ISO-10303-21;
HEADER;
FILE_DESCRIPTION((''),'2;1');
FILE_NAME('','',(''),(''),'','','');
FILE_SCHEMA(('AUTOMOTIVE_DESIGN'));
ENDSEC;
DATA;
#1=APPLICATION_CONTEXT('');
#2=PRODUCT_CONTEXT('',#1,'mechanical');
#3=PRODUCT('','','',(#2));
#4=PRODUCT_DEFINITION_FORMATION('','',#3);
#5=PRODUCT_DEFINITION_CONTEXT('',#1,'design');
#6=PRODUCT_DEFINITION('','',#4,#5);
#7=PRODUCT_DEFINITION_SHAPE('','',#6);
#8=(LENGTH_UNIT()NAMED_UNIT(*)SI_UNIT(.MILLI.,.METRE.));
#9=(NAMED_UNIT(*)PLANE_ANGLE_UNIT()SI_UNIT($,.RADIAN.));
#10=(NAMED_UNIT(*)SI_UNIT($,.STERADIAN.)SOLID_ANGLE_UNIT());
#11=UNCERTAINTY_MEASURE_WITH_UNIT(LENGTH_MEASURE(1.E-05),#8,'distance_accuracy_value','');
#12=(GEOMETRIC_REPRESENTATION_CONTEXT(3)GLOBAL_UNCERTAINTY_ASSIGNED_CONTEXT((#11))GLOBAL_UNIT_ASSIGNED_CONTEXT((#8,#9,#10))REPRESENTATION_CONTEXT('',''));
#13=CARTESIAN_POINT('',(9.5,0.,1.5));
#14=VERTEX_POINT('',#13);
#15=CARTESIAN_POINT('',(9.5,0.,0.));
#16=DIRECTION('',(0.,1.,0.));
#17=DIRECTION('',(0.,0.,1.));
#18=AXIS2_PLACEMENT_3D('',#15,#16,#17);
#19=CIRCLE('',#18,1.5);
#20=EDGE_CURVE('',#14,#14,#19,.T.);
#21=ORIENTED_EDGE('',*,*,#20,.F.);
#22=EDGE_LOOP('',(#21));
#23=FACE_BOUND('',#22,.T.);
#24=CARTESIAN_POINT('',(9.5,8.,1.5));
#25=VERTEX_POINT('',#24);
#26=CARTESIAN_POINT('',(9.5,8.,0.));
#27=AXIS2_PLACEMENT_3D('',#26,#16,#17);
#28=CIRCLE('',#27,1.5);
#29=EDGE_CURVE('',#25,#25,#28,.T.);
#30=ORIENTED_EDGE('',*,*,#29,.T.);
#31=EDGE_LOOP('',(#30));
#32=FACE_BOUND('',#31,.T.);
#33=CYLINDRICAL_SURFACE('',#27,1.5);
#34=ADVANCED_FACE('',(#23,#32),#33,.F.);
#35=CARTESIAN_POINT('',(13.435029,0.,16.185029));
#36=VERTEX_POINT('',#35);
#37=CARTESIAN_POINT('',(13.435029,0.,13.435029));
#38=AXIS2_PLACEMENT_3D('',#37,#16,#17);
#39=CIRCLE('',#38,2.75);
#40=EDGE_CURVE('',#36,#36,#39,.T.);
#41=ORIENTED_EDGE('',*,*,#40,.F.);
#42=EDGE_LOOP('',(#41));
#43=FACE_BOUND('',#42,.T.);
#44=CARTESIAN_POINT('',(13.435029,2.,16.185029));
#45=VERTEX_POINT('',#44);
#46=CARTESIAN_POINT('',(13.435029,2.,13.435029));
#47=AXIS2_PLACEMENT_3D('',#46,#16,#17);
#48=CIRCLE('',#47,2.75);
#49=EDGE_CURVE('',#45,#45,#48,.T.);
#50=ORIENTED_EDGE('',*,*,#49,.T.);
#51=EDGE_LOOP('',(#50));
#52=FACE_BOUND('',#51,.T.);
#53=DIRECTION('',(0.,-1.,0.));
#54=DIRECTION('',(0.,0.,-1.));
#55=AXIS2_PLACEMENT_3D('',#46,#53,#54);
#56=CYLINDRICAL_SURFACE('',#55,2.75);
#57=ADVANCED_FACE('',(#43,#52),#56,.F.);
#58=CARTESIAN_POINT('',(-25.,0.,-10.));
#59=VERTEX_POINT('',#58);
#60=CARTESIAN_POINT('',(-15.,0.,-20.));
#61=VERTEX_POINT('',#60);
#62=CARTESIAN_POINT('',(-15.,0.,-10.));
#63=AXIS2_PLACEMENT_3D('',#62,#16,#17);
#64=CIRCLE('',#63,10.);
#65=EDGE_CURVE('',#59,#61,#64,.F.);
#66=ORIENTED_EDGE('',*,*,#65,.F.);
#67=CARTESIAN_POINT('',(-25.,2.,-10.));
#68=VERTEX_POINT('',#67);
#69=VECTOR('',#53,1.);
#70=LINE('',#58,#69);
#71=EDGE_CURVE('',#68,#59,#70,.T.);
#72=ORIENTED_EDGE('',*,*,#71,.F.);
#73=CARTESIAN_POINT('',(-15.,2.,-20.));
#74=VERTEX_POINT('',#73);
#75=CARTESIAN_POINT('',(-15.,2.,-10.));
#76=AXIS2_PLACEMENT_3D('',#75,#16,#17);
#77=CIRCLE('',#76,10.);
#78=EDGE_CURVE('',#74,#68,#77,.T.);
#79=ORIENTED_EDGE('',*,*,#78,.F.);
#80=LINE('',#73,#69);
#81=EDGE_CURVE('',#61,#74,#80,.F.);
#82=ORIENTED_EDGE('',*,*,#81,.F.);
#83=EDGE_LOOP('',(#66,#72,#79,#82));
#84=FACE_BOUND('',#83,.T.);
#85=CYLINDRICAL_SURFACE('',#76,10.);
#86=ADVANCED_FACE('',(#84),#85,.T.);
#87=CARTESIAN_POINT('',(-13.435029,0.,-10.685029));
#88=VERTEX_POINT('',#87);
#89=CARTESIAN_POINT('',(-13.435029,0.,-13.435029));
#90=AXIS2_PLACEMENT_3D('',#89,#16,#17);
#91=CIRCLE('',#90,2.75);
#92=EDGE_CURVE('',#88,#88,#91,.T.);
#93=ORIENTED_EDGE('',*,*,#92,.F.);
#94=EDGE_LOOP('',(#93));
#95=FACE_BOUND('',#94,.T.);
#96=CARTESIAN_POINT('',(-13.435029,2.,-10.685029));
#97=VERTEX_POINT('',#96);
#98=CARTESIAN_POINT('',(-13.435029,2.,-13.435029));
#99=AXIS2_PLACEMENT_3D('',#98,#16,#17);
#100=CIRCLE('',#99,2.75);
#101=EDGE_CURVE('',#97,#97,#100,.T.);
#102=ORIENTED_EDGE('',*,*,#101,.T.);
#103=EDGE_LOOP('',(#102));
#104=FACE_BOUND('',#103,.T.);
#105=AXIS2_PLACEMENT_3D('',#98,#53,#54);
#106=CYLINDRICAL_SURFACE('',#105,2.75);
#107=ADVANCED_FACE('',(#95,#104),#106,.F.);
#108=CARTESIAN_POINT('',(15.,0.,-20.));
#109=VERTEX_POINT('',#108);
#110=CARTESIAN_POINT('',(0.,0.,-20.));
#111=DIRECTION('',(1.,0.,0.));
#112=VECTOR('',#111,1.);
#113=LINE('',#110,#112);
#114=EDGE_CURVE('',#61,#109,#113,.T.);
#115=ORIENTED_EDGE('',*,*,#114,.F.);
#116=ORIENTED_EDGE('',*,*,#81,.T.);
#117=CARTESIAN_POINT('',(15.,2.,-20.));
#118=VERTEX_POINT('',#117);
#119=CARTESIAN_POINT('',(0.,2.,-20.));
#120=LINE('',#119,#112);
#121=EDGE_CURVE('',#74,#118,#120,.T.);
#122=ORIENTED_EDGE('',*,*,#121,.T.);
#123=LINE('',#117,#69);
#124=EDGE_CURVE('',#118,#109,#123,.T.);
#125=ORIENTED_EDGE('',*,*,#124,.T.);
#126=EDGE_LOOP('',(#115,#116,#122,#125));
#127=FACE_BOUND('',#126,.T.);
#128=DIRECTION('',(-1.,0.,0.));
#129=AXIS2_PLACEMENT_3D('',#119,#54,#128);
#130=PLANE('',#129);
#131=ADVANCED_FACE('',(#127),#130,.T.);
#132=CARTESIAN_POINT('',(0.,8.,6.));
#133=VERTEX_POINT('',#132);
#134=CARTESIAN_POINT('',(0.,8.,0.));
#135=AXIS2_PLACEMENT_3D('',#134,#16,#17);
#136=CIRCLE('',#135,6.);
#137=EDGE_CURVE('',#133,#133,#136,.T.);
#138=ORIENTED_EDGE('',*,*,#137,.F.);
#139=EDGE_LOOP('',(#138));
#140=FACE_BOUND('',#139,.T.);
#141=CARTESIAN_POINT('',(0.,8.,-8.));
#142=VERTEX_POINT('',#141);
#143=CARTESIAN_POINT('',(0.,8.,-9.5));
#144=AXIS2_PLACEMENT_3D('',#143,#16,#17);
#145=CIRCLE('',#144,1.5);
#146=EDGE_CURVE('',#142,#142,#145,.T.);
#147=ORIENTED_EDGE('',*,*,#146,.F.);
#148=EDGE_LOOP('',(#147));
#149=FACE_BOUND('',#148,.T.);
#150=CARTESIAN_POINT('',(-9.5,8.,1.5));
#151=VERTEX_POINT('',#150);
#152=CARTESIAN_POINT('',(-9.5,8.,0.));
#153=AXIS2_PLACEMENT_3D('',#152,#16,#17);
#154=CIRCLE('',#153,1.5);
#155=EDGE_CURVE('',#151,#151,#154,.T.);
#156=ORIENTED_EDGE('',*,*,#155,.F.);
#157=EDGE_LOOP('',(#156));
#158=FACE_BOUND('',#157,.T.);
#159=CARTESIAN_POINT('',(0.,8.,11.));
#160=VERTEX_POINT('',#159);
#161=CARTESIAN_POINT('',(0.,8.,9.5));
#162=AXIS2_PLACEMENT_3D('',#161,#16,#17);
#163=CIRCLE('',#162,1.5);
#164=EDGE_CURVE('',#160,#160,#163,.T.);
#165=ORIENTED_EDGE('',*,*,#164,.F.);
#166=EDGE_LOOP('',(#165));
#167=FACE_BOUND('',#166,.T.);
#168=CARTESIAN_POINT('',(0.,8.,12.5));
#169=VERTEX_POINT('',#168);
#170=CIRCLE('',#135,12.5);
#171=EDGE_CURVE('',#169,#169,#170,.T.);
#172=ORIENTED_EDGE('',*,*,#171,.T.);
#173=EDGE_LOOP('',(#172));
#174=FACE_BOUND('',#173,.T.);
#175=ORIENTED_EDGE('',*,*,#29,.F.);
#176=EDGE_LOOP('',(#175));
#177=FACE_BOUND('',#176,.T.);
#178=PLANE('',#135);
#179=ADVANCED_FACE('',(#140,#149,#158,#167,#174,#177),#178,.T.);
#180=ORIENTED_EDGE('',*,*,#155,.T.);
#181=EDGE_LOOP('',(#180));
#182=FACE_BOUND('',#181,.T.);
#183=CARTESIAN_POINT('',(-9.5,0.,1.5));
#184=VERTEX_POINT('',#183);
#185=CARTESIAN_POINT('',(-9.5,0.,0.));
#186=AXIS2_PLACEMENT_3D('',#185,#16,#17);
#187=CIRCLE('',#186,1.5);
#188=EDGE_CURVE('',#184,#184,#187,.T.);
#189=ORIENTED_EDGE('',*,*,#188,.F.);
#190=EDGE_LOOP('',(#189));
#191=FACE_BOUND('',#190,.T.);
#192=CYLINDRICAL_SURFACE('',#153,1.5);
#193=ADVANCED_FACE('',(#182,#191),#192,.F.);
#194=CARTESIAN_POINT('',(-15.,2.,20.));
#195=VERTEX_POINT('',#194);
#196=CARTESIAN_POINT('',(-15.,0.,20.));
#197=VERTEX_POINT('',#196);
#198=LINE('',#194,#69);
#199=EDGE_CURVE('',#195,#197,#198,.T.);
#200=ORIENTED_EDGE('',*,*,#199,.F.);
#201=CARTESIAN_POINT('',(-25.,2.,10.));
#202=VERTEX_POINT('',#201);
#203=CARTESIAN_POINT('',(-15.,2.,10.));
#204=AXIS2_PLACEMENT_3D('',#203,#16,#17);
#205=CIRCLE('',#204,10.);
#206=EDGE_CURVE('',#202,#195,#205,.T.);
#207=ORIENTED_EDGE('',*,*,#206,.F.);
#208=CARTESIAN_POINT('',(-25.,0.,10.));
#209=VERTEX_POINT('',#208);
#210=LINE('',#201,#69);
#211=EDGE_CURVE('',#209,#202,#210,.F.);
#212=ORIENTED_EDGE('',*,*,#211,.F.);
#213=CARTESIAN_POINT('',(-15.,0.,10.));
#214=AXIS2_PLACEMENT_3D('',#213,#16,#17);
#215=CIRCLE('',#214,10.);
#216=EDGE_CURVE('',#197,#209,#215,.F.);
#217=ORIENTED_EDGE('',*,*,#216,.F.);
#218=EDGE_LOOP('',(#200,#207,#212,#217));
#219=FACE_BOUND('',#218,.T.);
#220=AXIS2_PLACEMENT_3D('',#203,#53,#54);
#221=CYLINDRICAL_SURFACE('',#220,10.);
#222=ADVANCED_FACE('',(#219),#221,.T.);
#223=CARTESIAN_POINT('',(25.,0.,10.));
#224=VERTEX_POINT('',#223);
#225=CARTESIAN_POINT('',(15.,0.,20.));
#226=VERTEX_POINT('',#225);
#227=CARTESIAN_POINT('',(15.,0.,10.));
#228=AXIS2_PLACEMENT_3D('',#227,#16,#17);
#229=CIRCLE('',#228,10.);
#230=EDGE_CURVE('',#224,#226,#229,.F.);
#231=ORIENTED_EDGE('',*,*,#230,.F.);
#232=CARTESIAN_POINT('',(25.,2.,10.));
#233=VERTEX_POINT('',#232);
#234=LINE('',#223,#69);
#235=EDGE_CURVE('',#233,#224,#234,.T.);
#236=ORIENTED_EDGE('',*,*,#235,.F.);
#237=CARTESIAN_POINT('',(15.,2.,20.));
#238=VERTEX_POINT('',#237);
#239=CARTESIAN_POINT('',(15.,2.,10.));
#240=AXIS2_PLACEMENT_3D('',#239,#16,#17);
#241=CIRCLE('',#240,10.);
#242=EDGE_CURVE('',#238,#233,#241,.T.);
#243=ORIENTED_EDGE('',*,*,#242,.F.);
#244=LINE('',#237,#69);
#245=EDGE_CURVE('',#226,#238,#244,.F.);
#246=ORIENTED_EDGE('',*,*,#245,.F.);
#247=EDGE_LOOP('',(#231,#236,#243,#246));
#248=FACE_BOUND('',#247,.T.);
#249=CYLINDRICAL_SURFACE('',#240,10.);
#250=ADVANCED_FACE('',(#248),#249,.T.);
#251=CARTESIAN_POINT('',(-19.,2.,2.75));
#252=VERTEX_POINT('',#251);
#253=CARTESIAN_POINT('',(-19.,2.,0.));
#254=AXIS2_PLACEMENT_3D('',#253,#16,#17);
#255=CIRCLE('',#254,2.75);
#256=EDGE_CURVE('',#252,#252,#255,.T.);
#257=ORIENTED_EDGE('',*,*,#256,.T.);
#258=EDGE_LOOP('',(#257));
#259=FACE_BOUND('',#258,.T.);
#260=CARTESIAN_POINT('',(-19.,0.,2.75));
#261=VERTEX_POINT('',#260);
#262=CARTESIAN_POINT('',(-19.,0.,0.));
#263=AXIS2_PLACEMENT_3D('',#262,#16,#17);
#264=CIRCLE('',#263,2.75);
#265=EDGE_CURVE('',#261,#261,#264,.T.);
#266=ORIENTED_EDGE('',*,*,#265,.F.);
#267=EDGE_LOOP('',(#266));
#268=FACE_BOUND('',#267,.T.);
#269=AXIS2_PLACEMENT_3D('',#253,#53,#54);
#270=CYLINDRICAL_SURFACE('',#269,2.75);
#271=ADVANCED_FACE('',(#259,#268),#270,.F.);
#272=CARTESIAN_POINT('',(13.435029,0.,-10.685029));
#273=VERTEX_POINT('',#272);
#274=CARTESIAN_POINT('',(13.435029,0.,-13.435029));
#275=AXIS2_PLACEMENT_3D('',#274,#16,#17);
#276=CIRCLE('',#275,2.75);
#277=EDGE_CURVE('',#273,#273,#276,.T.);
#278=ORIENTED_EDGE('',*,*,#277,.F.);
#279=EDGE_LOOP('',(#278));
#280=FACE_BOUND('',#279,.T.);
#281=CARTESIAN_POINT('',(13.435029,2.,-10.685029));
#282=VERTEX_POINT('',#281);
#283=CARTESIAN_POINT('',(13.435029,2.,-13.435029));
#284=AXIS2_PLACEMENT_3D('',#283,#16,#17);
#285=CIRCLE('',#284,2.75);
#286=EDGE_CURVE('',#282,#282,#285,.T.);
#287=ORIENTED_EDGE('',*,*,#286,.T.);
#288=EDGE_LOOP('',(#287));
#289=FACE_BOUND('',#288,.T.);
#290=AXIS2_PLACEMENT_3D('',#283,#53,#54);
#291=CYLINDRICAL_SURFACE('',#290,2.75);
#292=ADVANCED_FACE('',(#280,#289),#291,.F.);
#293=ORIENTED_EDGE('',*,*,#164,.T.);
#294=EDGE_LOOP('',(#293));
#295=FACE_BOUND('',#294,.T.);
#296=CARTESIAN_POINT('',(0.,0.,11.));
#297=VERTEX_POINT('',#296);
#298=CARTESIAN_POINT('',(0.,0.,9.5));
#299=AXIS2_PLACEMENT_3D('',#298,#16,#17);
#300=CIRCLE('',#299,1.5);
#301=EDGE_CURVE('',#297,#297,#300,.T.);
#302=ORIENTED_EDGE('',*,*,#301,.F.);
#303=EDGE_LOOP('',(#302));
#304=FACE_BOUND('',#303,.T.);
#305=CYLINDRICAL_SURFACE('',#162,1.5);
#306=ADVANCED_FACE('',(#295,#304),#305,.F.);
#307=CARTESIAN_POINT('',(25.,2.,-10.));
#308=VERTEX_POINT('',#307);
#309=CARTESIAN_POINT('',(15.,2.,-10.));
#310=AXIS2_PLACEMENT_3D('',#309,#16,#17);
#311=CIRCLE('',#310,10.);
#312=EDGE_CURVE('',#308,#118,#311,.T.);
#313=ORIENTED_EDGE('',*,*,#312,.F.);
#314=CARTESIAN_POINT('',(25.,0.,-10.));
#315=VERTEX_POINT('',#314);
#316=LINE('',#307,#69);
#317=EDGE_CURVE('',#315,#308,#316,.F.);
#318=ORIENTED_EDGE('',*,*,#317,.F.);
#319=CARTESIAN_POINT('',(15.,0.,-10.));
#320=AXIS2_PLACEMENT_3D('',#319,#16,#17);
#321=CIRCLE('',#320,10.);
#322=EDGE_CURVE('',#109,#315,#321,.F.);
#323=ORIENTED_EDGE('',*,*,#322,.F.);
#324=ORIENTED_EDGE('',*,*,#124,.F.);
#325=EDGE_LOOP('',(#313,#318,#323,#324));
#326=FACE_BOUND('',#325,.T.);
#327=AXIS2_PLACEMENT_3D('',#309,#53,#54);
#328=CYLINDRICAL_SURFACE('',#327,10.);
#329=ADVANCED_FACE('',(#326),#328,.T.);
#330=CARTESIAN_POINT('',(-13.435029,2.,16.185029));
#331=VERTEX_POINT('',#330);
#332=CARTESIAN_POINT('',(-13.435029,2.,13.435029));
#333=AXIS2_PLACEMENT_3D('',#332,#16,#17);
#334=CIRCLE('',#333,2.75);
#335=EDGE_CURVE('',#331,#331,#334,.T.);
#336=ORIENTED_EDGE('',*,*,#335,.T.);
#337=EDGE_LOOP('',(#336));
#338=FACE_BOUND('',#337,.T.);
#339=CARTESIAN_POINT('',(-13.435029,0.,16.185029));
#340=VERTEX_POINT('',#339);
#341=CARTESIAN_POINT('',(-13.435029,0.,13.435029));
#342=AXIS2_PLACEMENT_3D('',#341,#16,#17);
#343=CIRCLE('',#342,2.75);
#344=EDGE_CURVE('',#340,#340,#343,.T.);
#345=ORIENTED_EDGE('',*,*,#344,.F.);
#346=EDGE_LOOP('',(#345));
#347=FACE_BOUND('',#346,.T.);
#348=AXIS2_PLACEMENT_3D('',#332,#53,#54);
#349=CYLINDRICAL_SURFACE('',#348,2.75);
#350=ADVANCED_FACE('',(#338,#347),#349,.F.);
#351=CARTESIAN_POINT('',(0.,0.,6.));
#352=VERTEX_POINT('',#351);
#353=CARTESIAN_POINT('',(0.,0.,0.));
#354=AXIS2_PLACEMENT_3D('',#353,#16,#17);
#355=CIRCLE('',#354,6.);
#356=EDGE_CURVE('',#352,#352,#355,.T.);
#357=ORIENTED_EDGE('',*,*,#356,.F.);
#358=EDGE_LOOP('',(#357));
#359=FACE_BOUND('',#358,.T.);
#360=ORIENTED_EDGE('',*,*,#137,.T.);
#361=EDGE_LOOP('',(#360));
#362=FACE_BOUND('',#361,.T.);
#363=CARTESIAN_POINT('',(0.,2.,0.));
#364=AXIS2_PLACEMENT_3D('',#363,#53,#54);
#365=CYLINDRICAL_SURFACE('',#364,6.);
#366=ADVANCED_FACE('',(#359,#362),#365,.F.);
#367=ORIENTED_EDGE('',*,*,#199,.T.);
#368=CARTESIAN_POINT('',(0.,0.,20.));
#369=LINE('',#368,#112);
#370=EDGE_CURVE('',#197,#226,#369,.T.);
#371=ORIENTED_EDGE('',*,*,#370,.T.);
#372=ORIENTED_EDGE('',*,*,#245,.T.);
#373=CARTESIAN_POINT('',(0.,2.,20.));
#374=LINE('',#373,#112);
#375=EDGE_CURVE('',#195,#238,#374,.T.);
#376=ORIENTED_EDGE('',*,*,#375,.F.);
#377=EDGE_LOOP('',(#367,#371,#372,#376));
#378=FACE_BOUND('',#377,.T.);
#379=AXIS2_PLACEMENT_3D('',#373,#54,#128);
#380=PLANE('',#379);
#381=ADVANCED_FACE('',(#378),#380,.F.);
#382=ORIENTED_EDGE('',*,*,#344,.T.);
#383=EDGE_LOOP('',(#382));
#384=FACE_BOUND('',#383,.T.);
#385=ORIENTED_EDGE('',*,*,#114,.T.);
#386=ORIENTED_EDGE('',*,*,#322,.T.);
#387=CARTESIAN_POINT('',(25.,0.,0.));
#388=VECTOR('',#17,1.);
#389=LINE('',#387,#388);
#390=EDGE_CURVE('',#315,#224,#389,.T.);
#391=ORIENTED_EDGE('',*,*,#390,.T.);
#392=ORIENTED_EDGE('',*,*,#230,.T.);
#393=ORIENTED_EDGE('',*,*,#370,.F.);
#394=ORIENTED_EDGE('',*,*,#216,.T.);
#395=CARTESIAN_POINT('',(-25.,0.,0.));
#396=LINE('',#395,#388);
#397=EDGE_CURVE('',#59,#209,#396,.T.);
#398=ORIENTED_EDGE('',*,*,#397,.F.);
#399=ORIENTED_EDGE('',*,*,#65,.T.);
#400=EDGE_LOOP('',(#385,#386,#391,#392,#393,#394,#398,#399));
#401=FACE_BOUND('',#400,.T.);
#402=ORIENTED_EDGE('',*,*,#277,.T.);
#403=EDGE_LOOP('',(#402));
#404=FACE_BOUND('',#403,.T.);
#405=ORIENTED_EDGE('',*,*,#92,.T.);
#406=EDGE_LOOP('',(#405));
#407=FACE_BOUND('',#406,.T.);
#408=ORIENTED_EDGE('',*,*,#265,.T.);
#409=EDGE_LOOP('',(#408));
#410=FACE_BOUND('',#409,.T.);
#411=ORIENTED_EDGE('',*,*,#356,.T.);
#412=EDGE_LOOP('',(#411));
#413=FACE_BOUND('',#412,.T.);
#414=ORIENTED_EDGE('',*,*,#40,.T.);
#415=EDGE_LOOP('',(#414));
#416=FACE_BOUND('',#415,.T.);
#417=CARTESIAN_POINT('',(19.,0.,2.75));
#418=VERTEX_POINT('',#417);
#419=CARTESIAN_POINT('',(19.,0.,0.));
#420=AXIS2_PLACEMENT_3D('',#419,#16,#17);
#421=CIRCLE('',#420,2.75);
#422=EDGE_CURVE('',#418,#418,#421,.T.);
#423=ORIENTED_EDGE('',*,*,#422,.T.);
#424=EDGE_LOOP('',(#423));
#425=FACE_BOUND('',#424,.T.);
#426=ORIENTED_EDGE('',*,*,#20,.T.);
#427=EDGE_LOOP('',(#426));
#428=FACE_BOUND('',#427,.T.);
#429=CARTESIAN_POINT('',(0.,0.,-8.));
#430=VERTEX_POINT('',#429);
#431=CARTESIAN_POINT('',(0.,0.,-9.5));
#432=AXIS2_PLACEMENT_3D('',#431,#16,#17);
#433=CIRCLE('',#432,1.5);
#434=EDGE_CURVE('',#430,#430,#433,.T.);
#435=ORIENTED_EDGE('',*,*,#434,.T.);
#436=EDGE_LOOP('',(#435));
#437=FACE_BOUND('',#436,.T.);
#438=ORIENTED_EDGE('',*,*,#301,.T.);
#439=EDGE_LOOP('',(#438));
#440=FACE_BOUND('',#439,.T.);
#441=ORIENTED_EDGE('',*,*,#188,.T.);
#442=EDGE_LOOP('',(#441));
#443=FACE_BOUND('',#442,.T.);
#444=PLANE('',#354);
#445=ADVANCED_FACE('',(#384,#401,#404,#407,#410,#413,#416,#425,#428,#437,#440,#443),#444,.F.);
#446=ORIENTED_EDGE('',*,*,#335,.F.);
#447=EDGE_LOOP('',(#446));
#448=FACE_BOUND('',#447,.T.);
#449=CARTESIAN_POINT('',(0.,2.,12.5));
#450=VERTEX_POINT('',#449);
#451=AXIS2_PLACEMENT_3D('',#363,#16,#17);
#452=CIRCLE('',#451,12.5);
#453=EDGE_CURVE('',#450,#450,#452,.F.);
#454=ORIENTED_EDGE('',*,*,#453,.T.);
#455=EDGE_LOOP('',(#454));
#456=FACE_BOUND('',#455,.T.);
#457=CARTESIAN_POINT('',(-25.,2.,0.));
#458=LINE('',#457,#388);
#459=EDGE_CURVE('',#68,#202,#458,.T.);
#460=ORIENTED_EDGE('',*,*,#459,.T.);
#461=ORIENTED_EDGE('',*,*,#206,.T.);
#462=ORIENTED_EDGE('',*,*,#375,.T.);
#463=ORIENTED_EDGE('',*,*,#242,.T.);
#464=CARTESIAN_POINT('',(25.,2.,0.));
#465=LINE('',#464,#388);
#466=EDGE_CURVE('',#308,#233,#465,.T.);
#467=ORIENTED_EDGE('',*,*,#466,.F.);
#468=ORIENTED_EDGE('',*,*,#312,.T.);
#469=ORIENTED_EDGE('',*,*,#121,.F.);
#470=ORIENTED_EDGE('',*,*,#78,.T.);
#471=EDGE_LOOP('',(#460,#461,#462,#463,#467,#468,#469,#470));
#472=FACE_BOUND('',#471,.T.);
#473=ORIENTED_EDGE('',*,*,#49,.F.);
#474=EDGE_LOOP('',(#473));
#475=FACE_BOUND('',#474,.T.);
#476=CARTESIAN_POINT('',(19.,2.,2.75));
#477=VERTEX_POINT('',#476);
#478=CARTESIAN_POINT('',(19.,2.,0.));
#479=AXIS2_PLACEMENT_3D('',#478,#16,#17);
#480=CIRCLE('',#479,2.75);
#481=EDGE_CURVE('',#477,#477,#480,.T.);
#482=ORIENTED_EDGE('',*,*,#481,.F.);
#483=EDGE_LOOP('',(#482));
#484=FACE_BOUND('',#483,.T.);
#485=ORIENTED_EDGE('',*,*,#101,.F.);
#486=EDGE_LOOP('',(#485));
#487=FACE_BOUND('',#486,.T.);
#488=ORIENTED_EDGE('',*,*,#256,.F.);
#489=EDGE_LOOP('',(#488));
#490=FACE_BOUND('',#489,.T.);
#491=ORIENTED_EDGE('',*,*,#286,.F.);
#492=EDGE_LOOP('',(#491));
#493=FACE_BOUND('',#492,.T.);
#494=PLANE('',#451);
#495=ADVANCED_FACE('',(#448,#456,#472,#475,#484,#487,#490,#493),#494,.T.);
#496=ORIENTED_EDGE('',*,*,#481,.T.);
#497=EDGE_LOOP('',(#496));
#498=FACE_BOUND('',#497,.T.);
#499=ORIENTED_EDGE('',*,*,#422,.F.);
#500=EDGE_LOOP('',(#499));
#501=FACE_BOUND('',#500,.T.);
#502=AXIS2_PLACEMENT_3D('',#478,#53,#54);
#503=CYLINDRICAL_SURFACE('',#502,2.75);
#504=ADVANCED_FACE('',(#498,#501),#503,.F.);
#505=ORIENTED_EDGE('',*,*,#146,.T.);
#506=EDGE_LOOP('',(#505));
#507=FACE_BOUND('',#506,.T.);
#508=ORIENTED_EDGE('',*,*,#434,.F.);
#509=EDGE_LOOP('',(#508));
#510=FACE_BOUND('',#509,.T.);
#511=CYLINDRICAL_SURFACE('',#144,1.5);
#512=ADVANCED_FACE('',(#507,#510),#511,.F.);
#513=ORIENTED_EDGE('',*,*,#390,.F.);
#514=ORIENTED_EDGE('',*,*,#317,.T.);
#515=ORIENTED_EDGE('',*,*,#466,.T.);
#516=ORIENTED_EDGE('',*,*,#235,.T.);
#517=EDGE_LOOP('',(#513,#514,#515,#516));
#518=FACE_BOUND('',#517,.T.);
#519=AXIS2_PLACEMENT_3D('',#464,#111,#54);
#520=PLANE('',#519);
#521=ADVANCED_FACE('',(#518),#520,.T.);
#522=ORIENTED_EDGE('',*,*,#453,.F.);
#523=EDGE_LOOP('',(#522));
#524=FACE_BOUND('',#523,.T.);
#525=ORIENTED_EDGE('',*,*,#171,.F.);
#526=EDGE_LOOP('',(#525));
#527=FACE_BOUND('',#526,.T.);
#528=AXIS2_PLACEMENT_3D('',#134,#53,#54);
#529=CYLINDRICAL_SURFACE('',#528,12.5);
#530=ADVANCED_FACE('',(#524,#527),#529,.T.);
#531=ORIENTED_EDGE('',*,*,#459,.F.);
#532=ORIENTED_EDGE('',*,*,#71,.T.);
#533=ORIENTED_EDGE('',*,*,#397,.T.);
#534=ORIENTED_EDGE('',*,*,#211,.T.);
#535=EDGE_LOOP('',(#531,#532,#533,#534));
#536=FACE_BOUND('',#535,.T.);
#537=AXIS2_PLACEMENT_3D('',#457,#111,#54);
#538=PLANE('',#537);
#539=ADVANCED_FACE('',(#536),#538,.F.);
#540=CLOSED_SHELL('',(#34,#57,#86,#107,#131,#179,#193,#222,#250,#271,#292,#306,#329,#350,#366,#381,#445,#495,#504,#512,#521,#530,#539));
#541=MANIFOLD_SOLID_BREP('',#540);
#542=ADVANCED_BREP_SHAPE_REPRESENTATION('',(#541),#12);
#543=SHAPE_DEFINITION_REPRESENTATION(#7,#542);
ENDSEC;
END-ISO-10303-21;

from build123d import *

# Parameters (mm, degrees)
SKETCH1_W           = 50
SKETCH1_H           = 40
SKETCH1_R           = 12.5
SKETCH1_R_2         = 2.75
SKETCH1_R_3         = 6
BOSS_EXTRUDE1_DEPTH = 2
SKETCH1_3_R         = 12.5
SKETCH1_3_R_2       = 6
BOSS_EXTRUDE2_DEPTH = 8
HOLE1_D             = 3
HOLE1_DEPTH         = 8
CIRPATTERN1_COUNT   = 4
FILLET1_R           = 10


with BuildPart() as part:
    # Sketch1 → Boss-Extrude1 (new body)
    with BuildSketch(Plane(origin=(0, 0, 0), x_dir=(1, 0, 0), z_dir=(0, 1, 0))):
        Rectangle(SKETCH1_W, SKETCH1_H)
        Circle(SKETCH1_R, mode=Mode.SUBTRACT)
        with Locations((-13.435028843, -13.435028843)):
            Circle(SKETCH1_R_2, mode=Mode.SUBTRACT)
        with Locations((-19, 0)):
            Circle(SKETCH1_R_2, mode=Mode.SUBTRACT)
        with Locations((-13.435028843, 13.435028843)):
            Circle(SKETCH1_R_2, mode=Mode.SUBTRACT)
        with Locations((13.435028843, 13.435028843)):
            Circle(SKETCH1_R_2, mode=Mode.SUBTRACT)
        with Locations((19, 0)):
            Circle(SKETCH1_R_2, mode=Mode.SUBTRACT)
        with Locations((13.435028843, -13.435028843)):
            Circle(SKETCH1_R_2, mode=Mode.SUBTRACT)
        Circle(SKETCH1_R)
        Circle(SKETCH1_R_3, mode=Mode.SUBTRACT)
    extrude(amount=BOSS_EXTRUDE1_DEPTH)

    # Sketch1<3> → Boss-Extrude2 (add)
    with BuildSketch(Plane(origin=(0, 0, 0), x_dir=(1, 0, 0), z_dir=(0, 1, 0))):
        Circle(SKETCH1_3_R)
        Circle(SKETCH1_3_R_2, mode=Mode.SUBTRACT)
    extrude(amount=BOSS_EXTRUDE2_DEPTH)

    # Hole1
    with Locations(Plane(origin=(0, 8, 0), x_dir=(1, 0, 0), z_dir=(0, 1, 0))):
        with Locations((0, -9.5)):
            hole1 = Hole(HOLE1_D / 2, depth=HOLE1_DEPTH)

    # CirPattern1: Hole1 ×4 about axis
    cirpattern1_axis = Axis((0, 0, 0), (0, 1, 0))
    for i in range(1, CIRPATTERN1_COUNT):
        add(hole1.rotate(cirpattern1_axis, i * 360 / CIRPATTERN1_COUNT), mode=Mode.SUBTRACT)

    # Fillet1
    fillet1_edges = [part.edges().sort_by_distance(p)[0] for p in [
        (25, 1, 20),
        (-25, 1, 20),
        (-25, 1, -20),
        (25, 1, -20),
    ]]
    fillet(fillet1_edges, radius=FILLET1_R)


solid = part.part
